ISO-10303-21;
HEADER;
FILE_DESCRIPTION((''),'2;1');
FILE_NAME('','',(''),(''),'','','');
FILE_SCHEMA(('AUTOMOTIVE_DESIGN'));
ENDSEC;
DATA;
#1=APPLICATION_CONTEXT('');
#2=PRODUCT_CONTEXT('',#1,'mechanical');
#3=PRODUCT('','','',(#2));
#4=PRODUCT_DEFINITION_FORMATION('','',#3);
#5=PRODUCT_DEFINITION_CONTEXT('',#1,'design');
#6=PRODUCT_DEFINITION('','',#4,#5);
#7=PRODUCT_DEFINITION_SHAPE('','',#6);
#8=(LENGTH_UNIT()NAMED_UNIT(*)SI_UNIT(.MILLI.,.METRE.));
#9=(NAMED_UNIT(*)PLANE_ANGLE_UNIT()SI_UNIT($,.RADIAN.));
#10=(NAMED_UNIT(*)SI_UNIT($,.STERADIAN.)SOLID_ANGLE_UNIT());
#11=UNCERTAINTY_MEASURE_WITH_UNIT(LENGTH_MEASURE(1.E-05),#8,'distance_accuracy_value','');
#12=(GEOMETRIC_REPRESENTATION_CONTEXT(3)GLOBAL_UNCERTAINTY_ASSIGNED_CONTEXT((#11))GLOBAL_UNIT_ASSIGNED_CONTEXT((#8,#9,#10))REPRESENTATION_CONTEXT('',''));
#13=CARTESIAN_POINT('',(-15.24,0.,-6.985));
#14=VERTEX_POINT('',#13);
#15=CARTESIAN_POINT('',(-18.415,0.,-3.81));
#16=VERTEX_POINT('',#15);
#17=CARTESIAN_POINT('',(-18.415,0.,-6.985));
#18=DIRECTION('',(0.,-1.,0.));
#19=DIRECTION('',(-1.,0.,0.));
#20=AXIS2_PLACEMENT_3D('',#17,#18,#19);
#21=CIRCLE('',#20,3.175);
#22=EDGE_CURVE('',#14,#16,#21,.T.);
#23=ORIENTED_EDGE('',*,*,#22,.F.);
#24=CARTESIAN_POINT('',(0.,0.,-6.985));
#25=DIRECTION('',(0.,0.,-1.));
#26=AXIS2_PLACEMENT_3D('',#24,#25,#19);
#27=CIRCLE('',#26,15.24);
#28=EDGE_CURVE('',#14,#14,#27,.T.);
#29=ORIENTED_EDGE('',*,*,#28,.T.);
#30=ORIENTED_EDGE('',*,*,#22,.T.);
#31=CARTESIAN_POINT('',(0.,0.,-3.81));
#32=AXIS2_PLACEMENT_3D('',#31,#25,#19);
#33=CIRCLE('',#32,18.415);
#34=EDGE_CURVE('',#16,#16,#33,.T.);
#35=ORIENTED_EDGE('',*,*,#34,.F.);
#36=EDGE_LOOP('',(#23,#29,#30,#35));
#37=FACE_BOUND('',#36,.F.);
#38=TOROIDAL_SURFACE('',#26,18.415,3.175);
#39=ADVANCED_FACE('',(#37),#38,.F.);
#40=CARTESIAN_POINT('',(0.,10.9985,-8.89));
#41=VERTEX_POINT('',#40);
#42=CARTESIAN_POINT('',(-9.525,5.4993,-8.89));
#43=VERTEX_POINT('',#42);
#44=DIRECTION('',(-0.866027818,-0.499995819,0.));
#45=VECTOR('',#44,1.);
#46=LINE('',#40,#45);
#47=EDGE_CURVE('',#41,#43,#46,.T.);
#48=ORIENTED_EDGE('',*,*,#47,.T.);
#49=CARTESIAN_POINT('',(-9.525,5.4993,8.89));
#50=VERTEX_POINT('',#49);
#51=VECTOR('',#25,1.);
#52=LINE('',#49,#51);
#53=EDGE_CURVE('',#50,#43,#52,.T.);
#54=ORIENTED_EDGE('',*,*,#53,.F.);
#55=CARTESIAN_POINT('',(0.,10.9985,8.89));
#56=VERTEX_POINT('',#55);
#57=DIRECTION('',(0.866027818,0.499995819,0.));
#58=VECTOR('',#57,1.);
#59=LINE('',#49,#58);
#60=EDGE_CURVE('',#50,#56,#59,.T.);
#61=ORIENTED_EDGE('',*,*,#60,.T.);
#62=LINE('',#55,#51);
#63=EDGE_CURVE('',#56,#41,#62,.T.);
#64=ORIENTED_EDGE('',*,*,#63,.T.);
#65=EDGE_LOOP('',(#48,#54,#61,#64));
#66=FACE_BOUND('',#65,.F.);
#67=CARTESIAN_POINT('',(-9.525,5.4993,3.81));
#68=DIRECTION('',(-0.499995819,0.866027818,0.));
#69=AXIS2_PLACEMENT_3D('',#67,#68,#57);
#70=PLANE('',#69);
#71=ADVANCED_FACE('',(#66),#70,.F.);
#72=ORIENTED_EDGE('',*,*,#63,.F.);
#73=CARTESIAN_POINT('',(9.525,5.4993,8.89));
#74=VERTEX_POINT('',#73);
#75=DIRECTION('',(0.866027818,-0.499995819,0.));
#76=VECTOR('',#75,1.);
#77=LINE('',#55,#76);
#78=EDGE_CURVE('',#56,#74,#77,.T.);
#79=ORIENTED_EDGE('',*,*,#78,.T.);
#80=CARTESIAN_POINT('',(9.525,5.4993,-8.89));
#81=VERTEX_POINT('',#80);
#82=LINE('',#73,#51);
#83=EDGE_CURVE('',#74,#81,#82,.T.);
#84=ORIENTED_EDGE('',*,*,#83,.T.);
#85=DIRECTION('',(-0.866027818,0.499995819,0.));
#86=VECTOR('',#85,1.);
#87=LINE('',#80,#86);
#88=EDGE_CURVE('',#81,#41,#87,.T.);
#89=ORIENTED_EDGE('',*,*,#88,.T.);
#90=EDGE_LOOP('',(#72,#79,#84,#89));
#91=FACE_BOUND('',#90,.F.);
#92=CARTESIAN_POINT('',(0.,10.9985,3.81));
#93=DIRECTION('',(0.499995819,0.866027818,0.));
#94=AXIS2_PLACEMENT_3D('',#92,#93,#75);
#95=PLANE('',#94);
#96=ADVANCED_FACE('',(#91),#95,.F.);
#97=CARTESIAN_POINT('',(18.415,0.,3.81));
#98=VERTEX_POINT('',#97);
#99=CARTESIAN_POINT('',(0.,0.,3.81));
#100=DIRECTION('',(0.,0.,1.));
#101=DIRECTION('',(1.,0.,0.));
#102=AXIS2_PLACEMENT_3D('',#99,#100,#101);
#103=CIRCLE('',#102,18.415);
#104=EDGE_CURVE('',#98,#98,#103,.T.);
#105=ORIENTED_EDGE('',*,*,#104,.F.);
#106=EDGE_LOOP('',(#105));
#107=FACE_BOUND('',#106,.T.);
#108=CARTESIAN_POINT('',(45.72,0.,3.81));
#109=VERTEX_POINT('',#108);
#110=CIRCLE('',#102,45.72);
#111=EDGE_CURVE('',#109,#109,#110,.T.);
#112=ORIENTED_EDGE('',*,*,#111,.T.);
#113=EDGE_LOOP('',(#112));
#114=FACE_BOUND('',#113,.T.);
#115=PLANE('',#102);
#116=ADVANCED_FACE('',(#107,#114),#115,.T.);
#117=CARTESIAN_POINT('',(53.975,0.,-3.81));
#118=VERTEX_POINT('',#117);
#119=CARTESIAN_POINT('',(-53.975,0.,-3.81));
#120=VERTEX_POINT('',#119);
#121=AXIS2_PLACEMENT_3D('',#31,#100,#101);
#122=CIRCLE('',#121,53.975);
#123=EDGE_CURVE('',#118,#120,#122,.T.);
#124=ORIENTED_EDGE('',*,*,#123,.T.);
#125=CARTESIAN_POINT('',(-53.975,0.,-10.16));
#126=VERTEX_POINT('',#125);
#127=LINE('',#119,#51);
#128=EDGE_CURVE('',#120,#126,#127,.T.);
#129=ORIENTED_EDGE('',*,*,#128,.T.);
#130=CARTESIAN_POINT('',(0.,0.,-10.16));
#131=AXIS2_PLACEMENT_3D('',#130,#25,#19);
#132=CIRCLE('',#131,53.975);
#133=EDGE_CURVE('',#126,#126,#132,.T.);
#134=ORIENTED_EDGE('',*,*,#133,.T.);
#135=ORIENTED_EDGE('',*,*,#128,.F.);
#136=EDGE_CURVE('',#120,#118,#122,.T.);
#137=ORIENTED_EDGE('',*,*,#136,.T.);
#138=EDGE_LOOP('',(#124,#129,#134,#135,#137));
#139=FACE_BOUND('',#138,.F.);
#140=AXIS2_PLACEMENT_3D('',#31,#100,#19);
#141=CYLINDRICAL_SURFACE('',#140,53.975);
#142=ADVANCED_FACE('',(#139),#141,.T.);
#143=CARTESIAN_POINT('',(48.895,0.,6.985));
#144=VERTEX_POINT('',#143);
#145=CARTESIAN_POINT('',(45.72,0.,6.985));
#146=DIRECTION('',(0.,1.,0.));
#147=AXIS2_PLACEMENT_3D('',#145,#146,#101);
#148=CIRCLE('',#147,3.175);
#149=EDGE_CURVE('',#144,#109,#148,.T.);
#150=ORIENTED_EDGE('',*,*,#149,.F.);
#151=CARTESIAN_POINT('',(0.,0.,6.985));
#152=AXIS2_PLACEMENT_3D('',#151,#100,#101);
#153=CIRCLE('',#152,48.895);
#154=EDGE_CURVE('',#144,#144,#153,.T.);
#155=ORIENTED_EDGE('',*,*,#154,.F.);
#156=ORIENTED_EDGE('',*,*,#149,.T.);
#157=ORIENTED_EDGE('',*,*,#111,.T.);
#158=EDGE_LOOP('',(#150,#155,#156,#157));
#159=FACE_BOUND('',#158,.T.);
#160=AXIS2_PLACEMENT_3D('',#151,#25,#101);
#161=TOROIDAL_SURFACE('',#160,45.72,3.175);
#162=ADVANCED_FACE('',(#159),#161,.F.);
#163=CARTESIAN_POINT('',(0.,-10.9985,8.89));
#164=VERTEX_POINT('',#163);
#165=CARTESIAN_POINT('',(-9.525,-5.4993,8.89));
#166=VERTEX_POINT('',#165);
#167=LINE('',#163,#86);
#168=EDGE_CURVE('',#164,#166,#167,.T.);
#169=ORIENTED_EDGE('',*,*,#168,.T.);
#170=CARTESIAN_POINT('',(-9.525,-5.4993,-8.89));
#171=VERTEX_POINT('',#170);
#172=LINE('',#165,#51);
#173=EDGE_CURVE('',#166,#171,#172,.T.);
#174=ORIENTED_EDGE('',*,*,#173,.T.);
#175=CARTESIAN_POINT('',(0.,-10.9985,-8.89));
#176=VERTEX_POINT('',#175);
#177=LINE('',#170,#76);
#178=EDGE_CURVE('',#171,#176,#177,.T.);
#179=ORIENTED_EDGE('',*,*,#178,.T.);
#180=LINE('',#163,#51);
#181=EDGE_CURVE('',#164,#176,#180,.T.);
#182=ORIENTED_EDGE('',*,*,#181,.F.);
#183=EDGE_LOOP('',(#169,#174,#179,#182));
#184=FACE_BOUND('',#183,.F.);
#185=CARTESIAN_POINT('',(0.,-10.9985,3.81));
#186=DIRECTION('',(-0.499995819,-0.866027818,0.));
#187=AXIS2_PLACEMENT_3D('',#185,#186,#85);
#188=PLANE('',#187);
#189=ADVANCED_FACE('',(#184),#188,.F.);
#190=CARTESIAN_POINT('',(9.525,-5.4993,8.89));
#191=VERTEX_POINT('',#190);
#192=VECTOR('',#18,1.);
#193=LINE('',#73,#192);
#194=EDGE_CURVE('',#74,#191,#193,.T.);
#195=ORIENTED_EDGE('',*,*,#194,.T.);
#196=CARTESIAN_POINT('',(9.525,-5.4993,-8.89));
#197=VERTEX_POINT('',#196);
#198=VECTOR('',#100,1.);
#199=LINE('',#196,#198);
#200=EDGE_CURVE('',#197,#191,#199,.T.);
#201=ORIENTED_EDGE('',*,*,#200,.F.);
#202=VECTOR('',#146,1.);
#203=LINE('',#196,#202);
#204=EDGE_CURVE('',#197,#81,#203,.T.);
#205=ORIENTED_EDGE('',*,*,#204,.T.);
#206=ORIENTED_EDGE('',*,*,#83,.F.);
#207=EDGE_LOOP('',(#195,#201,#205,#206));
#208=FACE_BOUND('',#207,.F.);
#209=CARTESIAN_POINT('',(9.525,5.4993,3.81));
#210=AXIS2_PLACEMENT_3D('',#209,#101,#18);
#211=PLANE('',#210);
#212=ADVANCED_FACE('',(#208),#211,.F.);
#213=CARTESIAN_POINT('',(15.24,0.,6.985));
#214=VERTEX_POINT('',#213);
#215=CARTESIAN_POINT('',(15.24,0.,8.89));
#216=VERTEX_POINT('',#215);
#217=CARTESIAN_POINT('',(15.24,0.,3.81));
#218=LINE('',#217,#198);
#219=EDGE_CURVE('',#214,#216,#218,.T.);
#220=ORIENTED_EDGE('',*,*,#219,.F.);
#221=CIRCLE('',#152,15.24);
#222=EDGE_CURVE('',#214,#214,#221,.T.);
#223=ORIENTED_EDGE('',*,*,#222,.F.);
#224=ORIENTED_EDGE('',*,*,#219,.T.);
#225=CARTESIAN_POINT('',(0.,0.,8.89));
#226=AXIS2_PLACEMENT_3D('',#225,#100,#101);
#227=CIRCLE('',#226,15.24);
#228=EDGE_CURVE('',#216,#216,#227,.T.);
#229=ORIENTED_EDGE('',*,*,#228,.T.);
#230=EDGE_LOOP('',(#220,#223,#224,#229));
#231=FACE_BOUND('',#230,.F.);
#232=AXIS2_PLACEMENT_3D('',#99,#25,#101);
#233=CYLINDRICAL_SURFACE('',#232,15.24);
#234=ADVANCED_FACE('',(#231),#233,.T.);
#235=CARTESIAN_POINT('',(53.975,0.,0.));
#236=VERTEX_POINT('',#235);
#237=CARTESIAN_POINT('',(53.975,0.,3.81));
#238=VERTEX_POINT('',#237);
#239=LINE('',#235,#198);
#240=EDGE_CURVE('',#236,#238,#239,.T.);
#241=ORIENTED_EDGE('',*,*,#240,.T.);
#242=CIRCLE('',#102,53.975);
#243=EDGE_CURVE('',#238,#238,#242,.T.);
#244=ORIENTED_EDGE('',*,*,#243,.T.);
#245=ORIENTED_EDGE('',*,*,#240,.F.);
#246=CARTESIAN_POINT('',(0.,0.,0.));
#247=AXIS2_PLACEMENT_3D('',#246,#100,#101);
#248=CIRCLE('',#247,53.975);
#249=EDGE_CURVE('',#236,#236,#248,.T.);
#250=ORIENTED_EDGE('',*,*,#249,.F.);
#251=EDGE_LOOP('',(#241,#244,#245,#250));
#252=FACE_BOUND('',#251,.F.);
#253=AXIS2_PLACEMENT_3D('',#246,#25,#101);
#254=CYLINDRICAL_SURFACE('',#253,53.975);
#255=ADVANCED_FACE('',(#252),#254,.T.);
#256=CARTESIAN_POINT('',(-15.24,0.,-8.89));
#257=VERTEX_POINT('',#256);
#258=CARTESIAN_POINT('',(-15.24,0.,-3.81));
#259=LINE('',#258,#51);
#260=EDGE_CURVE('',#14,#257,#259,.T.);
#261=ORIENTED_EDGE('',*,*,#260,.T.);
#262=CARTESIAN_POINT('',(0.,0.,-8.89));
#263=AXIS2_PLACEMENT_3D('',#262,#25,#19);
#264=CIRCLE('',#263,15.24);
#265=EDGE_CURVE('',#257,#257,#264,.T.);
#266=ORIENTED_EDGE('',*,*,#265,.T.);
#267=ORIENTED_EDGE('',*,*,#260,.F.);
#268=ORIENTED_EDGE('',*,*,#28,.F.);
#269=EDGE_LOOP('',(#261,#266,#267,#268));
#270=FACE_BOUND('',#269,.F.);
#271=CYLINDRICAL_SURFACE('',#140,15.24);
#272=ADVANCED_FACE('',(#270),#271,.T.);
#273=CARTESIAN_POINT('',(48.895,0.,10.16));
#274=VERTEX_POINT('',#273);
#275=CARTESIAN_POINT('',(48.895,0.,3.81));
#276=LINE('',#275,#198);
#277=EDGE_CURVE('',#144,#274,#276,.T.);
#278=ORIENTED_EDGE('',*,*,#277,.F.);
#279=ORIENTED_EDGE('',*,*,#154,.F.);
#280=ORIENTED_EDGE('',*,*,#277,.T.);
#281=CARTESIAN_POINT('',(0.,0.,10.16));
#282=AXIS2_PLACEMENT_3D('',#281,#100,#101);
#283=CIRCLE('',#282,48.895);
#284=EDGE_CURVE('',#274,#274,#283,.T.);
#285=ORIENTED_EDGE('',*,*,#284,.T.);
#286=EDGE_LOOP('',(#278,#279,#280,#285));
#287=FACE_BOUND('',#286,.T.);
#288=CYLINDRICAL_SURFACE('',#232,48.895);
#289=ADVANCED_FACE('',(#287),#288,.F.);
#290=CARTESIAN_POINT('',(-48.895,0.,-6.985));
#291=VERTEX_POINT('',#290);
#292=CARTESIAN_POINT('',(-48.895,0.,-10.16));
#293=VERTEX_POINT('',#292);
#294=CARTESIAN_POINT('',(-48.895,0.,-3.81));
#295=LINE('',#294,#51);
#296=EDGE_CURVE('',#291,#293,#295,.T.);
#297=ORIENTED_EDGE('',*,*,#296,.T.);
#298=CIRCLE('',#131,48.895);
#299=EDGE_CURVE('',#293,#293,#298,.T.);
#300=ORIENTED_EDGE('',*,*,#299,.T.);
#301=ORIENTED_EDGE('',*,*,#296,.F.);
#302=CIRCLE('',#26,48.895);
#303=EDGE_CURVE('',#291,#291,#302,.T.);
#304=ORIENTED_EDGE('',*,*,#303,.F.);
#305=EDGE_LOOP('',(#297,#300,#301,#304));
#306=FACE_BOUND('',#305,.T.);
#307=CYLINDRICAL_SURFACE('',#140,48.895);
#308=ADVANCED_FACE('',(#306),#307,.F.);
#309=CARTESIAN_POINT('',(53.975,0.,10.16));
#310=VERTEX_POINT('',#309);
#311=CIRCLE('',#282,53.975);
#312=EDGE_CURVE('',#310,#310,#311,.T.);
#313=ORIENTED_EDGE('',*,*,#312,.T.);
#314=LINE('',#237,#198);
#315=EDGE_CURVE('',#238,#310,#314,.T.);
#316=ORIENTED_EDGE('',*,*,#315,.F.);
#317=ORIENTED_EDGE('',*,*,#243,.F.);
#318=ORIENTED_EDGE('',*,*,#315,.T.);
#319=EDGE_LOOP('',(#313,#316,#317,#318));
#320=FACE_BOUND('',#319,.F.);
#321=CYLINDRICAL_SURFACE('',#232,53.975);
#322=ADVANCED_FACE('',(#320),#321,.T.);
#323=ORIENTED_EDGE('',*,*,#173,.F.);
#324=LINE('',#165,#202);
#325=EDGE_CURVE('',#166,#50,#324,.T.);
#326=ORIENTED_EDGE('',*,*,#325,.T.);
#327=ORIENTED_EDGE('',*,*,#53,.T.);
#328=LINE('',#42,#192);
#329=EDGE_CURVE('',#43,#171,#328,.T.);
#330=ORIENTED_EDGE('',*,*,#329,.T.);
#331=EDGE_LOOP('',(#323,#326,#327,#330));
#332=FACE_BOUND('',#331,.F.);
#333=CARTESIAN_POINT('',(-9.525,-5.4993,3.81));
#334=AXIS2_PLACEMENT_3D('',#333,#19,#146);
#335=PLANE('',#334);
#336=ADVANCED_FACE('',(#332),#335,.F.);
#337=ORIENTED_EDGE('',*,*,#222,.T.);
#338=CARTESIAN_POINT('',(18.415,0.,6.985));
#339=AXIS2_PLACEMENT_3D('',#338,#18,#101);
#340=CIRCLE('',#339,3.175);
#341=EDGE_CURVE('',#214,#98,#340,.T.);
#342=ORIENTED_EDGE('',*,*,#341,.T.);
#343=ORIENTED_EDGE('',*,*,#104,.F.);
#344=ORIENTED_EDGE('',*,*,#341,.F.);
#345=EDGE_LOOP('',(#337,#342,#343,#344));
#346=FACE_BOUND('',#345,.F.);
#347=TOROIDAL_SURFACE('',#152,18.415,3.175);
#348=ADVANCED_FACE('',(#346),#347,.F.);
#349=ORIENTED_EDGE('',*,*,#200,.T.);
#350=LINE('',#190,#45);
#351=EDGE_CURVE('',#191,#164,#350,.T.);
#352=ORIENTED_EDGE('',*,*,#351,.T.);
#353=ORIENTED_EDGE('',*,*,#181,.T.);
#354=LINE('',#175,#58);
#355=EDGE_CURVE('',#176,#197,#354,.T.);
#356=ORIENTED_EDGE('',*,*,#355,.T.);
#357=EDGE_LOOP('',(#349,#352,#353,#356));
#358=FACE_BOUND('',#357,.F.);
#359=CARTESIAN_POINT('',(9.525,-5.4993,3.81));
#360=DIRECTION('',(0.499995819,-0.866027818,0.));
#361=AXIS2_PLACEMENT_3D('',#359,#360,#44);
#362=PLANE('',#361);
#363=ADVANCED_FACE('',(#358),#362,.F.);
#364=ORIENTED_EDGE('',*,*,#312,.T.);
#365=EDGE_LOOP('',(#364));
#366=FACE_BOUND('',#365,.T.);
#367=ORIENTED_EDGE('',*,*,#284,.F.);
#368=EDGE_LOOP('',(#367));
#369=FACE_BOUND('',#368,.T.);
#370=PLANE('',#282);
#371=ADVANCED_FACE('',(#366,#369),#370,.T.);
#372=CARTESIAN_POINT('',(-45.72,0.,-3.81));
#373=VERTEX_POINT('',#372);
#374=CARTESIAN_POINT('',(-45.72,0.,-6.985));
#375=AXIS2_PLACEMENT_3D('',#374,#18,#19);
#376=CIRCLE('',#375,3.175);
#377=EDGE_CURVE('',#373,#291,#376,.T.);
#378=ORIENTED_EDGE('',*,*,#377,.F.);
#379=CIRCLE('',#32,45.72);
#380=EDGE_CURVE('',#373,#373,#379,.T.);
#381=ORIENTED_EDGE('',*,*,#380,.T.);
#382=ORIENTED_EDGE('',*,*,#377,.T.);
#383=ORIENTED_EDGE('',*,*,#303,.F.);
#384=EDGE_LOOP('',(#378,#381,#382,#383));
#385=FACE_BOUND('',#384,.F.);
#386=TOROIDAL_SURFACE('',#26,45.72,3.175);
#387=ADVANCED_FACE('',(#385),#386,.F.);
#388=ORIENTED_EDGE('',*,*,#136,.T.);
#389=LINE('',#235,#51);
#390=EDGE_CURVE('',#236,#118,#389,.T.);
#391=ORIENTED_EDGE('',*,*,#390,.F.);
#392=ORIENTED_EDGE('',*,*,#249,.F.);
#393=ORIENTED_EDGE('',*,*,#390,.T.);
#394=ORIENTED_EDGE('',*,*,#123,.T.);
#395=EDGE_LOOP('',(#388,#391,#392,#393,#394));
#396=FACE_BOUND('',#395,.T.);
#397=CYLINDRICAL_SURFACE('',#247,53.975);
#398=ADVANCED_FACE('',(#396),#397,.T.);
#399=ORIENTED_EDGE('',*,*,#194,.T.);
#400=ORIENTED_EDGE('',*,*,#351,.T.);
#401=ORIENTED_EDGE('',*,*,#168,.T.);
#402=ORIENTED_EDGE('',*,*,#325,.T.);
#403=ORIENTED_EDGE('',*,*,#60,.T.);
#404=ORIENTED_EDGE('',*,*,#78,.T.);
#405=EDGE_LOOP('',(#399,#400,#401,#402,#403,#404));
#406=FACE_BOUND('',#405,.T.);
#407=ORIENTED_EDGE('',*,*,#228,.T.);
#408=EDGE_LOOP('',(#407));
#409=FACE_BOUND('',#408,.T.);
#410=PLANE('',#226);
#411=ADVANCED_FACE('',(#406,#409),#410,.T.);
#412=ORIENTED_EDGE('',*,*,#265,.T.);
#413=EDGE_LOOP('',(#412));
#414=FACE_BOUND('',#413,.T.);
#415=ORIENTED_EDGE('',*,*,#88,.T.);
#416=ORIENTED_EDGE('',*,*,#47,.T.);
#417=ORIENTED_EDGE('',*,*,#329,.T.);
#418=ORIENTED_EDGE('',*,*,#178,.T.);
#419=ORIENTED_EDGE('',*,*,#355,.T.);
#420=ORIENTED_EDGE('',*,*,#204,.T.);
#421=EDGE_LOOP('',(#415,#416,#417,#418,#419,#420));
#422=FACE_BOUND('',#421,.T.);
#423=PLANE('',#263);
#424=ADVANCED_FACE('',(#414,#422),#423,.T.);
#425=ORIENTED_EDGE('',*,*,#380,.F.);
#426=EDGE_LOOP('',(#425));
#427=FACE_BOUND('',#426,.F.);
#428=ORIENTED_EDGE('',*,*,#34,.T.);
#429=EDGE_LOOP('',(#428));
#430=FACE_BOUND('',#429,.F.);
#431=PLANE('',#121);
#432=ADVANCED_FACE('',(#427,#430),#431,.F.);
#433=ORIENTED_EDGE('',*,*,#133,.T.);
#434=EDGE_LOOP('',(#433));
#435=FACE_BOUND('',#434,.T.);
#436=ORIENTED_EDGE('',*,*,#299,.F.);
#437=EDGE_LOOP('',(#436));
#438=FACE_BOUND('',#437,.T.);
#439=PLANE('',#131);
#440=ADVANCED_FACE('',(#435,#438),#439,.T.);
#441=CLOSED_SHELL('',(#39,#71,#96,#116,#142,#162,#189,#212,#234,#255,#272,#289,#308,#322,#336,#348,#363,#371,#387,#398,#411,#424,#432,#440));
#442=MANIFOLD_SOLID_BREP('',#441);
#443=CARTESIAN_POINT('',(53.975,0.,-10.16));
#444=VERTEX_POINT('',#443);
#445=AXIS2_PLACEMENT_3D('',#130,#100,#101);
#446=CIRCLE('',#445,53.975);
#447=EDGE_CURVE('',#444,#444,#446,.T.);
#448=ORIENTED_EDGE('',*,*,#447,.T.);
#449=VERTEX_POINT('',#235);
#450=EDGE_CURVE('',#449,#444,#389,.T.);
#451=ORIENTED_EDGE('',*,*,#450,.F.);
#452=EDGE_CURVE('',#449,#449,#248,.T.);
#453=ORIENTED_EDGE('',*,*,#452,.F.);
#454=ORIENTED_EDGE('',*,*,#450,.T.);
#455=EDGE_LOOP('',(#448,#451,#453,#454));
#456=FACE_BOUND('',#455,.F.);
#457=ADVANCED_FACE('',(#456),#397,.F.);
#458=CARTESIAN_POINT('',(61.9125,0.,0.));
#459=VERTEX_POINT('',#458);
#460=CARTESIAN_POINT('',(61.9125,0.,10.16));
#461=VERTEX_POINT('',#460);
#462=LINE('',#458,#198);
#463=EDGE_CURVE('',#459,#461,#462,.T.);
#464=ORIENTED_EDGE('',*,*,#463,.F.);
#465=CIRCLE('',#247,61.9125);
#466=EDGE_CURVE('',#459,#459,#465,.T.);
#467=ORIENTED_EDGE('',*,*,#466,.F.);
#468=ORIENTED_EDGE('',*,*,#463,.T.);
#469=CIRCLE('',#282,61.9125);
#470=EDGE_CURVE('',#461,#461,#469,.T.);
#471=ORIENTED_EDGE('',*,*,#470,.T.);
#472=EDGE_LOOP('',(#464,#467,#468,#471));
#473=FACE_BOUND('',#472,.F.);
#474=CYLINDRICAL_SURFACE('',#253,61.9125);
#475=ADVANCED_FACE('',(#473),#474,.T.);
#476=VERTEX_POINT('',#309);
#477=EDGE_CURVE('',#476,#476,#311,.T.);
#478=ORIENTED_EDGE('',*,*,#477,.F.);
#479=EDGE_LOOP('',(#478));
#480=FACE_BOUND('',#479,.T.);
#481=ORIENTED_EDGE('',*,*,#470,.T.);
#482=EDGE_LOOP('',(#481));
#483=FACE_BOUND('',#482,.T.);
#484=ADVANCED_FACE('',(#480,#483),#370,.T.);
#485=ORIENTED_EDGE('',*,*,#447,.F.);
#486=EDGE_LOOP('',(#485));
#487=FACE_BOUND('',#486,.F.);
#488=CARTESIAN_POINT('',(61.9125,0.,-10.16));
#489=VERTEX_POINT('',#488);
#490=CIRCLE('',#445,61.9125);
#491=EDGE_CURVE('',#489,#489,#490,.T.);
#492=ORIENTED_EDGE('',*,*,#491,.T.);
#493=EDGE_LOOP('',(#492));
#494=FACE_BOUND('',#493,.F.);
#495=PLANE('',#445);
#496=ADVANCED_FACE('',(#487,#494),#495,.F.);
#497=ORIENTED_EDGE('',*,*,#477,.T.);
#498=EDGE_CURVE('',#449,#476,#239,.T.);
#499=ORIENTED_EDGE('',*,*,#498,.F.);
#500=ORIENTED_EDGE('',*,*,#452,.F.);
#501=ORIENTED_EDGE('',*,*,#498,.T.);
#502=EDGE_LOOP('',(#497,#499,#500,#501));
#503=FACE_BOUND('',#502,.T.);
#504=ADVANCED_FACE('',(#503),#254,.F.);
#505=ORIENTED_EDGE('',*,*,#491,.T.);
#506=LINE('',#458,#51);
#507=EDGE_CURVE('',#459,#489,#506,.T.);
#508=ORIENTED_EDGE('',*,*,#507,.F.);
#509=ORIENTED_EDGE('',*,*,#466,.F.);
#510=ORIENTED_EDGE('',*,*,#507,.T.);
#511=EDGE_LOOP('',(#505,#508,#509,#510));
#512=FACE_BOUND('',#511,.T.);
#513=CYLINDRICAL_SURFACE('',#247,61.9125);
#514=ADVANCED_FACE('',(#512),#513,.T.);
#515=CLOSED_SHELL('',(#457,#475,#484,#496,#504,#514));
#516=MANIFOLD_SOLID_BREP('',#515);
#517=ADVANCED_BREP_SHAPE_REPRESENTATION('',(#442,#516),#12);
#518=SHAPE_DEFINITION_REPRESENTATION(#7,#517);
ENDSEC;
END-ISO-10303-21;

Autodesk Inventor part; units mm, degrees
ref_plane "YZ Plane" through (0, 0, 0) normal (1, 0, 0) x (0, 1, 0)
ref_plane "XZ Plane" through (0, 0, 0) normal (0, 1, 0) x (-1, 0, 0)
ref_plane "XY Plane" through (0, 0, 0) normal (0, 0, 1) x (1, 0, 0)
sketch "Sketch1" plane through (0, 0, 0) normal (0, 0, 1) x (1, 0, 0)
  line L0 (9.525, 5.4993) -> (9.525, -5.4993)
  line L1 (9.525, -5.4993) -> (0, -10.9985)
  line L2 (0, -10.9985) -> (-9.525, -5.4993)
  line L3 (-9.525, -5.4993) -> (-9.525, 5.4993)
  line L4 (-9.525, 5.4993) -> (0, 10.9985)
  line L5 (0, 10.9985) -> (9.525, 5.4993)
  circle A0 centre (0, 0) radius 53.975
  dimension "d0" = 19.05
  dimension "d1" = 107.95
extrude "Extrusion1" add sketch "Sketch1" along normal mid plane 7.62
sketch "Sketch3" plane through (0, 0, -3.81) normal (0, 0, -1) x (-1, 0, 0)
  circle A0 centre (0, 0) radius 53.975 projected
  circle A1 centre (0, 0) radius 48.895
  dimension "d7" = 5.08
extrude "Extrusion3" add sketch "Sketch3" along normal blind 6.35
sketch "Sketch4" plane through (0, 0, 3.81) normal (0, 0, 1) x (1, 0, 0)
  circle A0 centre (0, 0) radius 53.975 projected
  circle A1 centre (0, 0) radius 48.895
  dimension "d10" = 5.08
extrude "Extrusion4" add sketch "Sketch4" along normal blind 6.35
fillet "Fillet1" radius 3.175 1 edges at (-48.895, 0, 3.81)
fillet "Fillet2" radius 3.175 1 edges at (48.895, 0, -3.81)
sketch "Sketch5" plane through (0, 0, -3.81) normal (0, 0, -1) x (-1, 0, 0)
  line L0 (0, -10.9985) -> (-9.525, -5.4993) projected
  line L1 (-9.525, -5.4993) -> (-9.525, 5.4993) projected
  line L2 (-9.525, 5.4993) -> (0, 10.9985) projected
  line L3 (0, 10.9985) -> (9.525, 5.4993) projected
  line L4 (9.525, 5.4993) -> (9.525, -5.4993) projected
  line L5 (9.525, -5.4993) -> (0, -10.9985) projected
  circle A0 centre (0, 0) radius 45.72 projected
  circle A1 centre (0, 0) radius 15.24
  dimension "d15" = 30.48
extrude "Extrusion5" add sketch "Sketch5" along normal blind 5.08 contours A1
fillet "Fillet3" radius 3.175 1 edges at (15.24, 0, -3.81)
sketch "Sketch6" plane through (0, 0, 3.81) normal (0, 0, 1) x (1, 0, 0)
  line L0 (9.525, -5.4993) -> (0, -10.9985) projected
  line L1 (0, -10.9985) -> (-9.525, -5.4993) projected
  line L2 (-9.525, -5.4993) -> (-9.525, 5.4993) projected
  line L3 (-9.525, 5.4993) -> (0, 10.9985) projected
  line L4 (0, 10.9985) -> (9.525, 5.4993) projected
  line L5 (9.525, 5.4993) -> (9.525, -5.4993) projected
  circle A0 centre (0, 0) radius 45.72 projected
  circle A1 centre (0, 0) radius 15.24
  dimension "d19" = 30.48
extrude "Extrusion6" add sketch "Sketch6" along normal blind 5.08 contours A1
fillet "Fillet4" radius 3.175 1 edges at (-15.24, 0, 3.81)
sketch "Sketch7" plane through (0, 0, 0) normal (0, 0, 1) x (1, 0, 0)
  circle A0 centre (0, 0) radius 61.9125
  circle A1 centre (0, 0) radius 53.975
  circle A2 centre (0, 0) radius 53.975 projected
  dimension "d23" = 123.825
extrude "Extrusion7" add sketch "Sketch7" along normal mid plane 20.32 separate body
properties part number "T80P-494BO-HS6" material "PC_ABS Plastic"
